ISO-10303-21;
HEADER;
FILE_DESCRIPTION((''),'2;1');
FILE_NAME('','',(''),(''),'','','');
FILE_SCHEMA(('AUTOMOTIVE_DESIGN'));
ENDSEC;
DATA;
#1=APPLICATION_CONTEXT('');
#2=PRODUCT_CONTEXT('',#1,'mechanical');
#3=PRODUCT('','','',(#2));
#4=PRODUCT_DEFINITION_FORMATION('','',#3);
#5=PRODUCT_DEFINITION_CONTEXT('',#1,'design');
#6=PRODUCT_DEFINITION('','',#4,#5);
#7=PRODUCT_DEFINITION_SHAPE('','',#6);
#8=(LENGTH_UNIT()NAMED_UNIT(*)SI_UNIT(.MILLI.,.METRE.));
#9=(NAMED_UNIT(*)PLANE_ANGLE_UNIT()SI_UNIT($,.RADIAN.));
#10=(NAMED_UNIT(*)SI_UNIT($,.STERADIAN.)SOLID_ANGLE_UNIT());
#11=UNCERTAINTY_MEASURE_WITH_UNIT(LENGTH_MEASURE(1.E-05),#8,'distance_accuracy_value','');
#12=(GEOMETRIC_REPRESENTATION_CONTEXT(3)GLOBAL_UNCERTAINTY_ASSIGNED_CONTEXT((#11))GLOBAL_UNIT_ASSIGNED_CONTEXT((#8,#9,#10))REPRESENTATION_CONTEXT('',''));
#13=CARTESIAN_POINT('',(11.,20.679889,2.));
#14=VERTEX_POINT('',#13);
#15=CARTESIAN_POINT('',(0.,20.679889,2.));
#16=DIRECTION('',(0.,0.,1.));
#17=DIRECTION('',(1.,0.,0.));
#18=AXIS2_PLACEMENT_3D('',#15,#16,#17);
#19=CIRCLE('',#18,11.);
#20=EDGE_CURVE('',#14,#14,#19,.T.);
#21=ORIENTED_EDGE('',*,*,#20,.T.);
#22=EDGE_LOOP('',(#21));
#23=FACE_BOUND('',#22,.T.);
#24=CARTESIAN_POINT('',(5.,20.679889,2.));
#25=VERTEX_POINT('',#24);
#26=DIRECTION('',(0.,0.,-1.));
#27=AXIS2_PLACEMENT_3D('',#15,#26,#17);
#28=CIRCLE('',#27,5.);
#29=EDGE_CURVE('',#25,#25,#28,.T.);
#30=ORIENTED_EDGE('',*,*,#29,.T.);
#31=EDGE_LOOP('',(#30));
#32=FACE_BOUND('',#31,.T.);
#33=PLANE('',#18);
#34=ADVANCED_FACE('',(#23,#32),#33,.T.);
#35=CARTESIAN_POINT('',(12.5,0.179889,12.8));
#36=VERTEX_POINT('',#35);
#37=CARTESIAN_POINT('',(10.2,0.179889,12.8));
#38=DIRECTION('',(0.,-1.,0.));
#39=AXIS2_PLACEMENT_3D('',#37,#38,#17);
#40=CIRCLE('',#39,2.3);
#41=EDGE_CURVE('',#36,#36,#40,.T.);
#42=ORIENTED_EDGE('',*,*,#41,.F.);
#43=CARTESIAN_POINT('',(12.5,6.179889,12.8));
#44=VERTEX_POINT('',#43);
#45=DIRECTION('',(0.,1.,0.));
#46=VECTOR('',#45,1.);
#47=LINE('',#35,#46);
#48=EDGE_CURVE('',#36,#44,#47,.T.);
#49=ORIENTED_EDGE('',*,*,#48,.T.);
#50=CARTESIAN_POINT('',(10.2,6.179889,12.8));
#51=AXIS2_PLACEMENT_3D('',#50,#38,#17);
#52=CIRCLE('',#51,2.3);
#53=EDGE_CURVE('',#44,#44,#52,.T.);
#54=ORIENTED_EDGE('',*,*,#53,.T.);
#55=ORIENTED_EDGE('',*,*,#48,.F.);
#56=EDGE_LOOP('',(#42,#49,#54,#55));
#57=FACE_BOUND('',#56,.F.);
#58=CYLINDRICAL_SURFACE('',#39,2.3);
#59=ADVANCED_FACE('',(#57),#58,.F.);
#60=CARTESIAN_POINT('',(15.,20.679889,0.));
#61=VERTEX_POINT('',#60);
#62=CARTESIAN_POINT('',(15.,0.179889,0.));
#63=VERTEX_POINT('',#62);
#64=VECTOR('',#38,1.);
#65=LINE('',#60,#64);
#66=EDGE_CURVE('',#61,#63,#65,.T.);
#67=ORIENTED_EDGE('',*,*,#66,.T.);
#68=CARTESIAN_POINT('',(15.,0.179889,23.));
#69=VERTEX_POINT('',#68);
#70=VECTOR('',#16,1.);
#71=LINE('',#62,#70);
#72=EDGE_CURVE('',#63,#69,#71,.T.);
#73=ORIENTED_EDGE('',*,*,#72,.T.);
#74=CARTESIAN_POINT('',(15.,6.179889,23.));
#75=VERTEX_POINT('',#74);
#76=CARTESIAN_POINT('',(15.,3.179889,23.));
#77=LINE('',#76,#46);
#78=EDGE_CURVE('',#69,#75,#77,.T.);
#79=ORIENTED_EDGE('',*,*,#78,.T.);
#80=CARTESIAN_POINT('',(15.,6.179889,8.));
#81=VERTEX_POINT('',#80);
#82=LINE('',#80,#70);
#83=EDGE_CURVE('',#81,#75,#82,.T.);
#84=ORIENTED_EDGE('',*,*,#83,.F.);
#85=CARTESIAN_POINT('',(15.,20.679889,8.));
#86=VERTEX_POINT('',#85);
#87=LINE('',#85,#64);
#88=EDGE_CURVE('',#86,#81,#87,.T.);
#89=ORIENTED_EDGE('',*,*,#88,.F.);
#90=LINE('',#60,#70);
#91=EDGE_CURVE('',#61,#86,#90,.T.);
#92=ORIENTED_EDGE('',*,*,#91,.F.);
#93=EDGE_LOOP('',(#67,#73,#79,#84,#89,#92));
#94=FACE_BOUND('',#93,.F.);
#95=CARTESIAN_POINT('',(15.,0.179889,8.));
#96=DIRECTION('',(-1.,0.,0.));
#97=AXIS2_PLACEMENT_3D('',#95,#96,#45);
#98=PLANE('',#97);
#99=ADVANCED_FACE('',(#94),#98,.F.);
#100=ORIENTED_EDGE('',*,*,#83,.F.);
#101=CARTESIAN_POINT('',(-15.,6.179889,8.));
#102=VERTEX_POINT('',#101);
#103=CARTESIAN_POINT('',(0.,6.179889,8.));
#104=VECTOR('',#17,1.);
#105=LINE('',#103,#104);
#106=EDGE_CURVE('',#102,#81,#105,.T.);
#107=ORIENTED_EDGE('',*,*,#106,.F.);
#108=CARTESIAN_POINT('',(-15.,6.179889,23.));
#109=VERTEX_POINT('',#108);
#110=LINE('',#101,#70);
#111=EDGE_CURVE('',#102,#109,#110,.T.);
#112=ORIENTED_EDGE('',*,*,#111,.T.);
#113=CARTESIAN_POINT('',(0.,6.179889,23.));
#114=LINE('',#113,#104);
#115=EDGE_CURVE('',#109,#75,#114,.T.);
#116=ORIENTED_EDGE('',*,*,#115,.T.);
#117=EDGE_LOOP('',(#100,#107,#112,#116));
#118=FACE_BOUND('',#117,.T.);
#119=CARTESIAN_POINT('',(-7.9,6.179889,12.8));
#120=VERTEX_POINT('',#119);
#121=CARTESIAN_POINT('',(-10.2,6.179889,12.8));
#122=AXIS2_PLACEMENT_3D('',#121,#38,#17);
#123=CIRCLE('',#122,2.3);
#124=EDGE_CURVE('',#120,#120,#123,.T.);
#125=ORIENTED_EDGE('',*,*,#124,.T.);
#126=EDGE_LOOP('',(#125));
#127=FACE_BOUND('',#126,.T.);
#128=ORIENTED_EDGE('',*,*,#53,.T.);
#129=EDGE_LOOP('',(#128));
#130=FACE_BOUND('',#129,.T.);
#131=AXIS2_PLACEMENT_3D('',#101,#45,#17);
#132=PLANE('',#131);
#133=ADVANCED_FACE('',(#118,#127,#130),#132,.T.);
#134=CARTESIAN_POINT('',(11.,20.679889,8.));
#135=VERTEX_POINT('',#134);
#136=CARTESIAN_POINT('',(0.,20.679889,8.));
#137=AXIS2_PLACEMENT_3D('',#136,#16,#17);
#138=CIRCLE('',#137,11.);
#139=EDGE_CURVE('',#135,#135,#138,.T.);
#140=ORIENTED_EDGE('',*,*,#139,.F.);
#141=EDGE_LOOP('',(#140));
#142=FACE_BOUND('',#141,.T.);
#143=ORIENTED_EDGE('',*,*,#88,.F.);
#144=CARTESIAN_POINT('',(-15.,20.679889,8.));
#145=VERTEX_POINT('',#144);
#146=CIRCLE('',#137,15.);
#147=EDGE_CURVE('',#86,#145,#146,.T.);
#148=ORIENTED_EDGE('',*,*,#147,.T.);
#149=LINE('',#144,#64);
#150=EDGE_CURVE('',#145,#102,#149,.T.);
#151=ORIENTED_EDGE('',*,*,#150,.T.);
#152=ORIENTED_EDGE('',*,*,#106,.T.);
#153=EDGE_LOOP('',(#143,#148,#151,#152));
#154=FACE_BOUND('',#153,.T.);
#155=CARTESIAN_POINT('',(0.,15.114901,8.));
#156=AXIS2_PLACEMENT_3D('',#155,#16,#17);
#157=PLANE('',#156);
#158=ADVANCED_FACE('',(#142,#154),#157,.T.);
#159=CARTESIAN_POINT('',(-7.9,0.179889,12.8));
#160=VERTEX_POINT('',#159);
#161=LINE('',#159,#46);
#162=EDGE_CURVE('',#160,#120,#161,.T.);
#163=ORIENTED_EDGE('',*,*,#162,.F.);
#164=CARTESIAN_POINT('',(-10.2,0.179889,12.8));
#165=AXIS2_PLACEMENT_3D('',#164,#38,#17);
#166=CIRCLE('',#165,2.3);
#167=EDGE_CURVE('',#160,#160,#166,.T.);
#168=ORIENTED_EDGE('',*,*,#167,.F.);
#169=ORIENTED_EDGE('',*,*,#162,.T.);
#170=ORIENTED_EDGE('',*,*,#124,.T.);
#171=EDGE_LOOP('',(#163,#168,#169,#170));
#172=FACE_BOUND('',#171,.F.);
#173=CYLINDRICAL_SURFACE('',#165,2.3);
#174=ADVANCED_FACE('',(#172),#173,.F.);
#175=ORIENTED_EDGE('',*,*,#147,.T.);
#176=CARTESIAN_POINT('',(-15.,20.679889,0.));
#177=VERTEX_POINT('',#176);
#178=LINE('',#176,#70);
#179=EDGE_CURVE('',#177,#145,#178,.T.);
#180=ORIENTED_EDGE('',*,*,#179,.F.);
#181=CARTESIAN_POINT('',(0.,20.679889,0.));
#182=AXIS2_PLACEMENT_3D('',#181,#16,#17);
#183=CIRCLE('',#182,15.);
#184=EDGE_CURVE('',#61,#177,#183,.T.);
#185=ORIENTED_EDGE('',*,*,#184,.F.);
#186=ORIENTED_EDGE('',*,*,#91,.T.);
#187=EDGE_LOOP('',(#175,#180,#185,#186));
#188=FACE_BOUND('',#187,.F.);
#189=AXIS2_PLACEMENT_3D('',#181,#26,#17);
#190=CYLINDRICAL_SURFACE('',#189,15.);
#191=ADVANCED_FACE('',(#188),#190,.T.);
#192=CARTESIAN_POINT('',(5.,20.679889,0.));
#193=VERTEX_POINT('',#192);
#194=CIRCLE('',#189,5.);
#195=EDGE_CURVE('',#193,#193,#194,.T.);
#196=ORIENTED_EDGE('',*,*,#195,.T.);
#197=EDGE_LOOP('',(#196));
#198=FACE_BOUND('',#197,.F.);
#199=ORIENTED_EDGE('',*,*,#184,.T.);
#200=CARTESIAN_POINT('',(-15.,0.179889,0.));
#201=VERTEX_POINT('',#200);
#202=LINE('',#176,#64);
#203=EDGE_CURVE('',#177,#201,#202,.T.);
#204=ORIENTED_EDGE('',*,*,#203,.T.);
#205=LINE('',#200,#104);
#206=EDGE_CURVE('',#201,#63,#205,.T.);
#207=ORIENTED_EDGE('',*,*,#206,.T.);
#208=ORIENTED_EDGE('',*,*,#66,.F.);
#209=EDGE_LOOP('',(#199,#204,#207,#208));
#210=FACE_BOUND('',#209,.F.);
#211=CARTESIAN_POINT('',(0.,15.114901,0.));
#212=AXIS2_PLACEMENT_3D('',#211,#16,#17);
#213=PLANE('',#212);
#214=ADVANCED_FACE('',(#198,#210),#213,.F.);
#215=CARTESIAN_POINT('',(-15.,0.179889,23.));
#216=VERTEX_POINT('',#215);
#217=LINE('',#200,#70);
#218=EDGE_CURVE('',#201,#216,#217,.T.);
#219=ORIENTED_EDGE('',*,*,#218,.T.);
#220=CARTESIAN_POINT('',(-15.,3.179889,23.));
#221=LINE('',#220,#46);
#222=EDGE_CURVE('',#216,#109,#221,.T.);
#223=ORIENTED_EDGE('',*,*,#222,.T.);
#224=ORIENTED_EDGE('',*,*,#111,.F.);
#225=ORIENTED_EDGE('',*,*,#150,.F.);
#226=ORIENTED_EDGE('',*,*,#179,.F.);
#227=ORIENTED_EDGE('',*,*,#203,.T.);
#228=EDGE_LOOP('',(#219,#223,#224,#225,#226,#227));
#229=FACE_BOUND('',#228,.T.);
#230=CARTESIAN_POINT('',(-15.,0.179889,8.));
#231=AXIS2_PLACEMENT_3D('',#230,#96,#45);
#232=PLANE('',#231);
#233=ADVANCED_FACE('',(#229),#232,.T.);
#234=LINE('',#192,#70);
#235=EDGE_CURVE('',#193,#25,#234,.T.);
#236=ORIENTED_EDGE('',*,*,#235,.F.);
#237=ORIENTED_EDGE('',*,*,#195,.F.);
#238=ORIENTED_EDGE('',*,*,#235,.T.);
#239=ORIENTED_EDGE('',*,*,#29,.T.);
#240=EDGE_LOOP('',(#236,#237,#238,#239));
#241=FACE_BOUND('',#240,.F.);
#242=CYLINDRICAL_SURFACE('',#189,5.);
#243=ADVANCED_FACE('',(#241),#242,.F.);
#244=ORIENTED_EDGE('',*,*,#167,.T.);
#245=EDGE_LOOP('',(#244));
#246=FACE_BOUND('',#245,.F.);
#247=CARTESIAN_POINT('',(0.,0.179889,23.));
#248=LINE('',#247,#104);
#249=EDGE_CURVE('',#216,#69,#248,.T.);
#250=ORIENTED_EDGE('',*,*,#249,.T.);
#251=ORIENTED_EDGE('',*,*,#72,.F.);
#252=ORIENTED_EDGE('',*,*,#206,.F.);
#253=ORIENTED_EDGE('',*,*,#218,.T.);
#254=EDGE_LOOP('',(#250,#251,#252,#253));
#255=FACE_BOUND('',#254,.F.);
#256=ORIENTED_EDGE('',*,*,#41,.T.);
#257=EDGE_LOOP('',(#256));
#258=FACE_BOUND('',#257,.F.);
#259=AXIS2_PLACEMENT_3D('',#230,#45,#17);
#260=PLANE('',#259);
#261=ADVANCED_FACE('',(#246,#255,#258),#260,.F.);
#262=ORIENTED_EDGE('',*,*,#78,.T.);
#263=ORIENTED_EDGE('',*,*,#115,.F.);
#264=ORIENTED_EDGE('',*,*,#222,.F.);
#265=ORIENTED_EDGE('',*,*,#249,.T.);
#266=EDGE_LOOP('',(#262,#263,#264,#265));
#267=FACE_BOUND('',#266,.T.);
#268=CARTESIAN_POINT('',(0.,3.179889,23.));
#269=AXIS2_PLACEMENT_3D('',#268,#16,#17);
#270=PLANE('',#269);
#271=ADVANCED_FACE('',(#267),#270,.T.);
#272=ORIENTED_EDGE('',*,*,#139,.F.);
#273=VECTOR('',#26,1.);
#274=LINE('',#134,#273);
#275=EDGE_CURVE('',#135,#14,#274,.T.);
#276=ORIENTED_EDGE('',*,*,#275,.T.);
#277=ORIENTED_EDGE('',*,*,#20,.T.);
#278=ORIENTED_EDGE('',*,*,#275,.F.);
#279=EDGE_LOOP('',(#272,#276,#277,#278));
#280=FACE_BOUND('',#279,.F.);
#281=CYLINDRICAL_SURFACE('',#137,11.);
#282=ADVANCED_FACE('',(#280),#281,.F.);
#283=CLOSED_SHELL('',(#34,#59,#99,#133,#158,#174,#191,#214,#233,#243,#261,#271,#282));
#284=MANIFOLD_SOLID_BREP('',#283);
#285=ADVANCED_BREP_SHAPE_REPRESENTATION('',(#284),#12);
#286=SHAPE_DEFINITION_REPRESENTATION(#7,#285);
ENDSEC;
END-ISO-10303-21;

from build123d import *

# Parameters (mm, degrees)
PAD_DEPTH       = 8
SKETCH001_R     = 11
POCKET_DEPTH    = 6
SKETCH002_R     = 5
POCKET001_DEPTH = 2
SKETCH003_W     = 30
SKETCH003_H     = 6
PAD001_DEPTH    = 15
SKETCH004_R     = 2.3
POCKET002_DEPTH = 6


with BuildPart() as part:
    # Sketch → Pad (new body)
    with BuildSketch(Plane.XY):
        with BuildLine():
            ThreePointArc((15, 20.679889), (0, 35.679889), (-15, 20.679889))
            Line((-15, 20.679889), (-15, 0.179889))
            Line((-15, 0.179889), (15, 0.179889))
            Line((15, 20.679889), (15, 0.179889))
        make_face()
    extrude(amount=PAD_DEPTH)

    # Sketch001 (on Face6 of Pad) → Pocket (cut)
    with BuildSketch(Plane.XY.offset(8)):
        with Locations((0, 20.679889)):
            Circle(SKETCH001_R)
    extrude(amount=-POCKET_DEPTH, mode=Mode.SUBTRACT)

    # Sketch002 (on Face4 of Pocket) → Pocket001 (cut)
    with BuildSketch(Plane(origin=(0, 0, 0), x_dir=(1, 0, 0), z_dir=(0, 0, -1))):
        with Locations((0, -20.679889)):
            Circle(SKETCH002_R)
    extrude(amount=-POCKET001_DEPTH, mode=Mode.SUBTRACT)

    # Sketch003 (on Face5 of Pocket001) → Pad001 (join)
    with BuildSketch(Plane.XY.offset(8)):
        with Locations((0, 3.179889)):
            Rectangle(SKETCH003_W, SKETCH003_H)
    extrude(amount=PAD001_DEPTH)

    # Sketch004 (on Face12 of Pad001) → Pocket002 (cut)
    with BuildSketch(Plane.XZ.offset(-0.179889)):
        with Locations((-10.2, 12.8)):
            Circle(SKETCH004_R)
        with Locations((10.2, 12.8)):
            Circle(SKETCH004_R)
    extrude(amount=-POCKET002_DEPTH, mode=Mode.SUBTRACT)


solid = part.part
